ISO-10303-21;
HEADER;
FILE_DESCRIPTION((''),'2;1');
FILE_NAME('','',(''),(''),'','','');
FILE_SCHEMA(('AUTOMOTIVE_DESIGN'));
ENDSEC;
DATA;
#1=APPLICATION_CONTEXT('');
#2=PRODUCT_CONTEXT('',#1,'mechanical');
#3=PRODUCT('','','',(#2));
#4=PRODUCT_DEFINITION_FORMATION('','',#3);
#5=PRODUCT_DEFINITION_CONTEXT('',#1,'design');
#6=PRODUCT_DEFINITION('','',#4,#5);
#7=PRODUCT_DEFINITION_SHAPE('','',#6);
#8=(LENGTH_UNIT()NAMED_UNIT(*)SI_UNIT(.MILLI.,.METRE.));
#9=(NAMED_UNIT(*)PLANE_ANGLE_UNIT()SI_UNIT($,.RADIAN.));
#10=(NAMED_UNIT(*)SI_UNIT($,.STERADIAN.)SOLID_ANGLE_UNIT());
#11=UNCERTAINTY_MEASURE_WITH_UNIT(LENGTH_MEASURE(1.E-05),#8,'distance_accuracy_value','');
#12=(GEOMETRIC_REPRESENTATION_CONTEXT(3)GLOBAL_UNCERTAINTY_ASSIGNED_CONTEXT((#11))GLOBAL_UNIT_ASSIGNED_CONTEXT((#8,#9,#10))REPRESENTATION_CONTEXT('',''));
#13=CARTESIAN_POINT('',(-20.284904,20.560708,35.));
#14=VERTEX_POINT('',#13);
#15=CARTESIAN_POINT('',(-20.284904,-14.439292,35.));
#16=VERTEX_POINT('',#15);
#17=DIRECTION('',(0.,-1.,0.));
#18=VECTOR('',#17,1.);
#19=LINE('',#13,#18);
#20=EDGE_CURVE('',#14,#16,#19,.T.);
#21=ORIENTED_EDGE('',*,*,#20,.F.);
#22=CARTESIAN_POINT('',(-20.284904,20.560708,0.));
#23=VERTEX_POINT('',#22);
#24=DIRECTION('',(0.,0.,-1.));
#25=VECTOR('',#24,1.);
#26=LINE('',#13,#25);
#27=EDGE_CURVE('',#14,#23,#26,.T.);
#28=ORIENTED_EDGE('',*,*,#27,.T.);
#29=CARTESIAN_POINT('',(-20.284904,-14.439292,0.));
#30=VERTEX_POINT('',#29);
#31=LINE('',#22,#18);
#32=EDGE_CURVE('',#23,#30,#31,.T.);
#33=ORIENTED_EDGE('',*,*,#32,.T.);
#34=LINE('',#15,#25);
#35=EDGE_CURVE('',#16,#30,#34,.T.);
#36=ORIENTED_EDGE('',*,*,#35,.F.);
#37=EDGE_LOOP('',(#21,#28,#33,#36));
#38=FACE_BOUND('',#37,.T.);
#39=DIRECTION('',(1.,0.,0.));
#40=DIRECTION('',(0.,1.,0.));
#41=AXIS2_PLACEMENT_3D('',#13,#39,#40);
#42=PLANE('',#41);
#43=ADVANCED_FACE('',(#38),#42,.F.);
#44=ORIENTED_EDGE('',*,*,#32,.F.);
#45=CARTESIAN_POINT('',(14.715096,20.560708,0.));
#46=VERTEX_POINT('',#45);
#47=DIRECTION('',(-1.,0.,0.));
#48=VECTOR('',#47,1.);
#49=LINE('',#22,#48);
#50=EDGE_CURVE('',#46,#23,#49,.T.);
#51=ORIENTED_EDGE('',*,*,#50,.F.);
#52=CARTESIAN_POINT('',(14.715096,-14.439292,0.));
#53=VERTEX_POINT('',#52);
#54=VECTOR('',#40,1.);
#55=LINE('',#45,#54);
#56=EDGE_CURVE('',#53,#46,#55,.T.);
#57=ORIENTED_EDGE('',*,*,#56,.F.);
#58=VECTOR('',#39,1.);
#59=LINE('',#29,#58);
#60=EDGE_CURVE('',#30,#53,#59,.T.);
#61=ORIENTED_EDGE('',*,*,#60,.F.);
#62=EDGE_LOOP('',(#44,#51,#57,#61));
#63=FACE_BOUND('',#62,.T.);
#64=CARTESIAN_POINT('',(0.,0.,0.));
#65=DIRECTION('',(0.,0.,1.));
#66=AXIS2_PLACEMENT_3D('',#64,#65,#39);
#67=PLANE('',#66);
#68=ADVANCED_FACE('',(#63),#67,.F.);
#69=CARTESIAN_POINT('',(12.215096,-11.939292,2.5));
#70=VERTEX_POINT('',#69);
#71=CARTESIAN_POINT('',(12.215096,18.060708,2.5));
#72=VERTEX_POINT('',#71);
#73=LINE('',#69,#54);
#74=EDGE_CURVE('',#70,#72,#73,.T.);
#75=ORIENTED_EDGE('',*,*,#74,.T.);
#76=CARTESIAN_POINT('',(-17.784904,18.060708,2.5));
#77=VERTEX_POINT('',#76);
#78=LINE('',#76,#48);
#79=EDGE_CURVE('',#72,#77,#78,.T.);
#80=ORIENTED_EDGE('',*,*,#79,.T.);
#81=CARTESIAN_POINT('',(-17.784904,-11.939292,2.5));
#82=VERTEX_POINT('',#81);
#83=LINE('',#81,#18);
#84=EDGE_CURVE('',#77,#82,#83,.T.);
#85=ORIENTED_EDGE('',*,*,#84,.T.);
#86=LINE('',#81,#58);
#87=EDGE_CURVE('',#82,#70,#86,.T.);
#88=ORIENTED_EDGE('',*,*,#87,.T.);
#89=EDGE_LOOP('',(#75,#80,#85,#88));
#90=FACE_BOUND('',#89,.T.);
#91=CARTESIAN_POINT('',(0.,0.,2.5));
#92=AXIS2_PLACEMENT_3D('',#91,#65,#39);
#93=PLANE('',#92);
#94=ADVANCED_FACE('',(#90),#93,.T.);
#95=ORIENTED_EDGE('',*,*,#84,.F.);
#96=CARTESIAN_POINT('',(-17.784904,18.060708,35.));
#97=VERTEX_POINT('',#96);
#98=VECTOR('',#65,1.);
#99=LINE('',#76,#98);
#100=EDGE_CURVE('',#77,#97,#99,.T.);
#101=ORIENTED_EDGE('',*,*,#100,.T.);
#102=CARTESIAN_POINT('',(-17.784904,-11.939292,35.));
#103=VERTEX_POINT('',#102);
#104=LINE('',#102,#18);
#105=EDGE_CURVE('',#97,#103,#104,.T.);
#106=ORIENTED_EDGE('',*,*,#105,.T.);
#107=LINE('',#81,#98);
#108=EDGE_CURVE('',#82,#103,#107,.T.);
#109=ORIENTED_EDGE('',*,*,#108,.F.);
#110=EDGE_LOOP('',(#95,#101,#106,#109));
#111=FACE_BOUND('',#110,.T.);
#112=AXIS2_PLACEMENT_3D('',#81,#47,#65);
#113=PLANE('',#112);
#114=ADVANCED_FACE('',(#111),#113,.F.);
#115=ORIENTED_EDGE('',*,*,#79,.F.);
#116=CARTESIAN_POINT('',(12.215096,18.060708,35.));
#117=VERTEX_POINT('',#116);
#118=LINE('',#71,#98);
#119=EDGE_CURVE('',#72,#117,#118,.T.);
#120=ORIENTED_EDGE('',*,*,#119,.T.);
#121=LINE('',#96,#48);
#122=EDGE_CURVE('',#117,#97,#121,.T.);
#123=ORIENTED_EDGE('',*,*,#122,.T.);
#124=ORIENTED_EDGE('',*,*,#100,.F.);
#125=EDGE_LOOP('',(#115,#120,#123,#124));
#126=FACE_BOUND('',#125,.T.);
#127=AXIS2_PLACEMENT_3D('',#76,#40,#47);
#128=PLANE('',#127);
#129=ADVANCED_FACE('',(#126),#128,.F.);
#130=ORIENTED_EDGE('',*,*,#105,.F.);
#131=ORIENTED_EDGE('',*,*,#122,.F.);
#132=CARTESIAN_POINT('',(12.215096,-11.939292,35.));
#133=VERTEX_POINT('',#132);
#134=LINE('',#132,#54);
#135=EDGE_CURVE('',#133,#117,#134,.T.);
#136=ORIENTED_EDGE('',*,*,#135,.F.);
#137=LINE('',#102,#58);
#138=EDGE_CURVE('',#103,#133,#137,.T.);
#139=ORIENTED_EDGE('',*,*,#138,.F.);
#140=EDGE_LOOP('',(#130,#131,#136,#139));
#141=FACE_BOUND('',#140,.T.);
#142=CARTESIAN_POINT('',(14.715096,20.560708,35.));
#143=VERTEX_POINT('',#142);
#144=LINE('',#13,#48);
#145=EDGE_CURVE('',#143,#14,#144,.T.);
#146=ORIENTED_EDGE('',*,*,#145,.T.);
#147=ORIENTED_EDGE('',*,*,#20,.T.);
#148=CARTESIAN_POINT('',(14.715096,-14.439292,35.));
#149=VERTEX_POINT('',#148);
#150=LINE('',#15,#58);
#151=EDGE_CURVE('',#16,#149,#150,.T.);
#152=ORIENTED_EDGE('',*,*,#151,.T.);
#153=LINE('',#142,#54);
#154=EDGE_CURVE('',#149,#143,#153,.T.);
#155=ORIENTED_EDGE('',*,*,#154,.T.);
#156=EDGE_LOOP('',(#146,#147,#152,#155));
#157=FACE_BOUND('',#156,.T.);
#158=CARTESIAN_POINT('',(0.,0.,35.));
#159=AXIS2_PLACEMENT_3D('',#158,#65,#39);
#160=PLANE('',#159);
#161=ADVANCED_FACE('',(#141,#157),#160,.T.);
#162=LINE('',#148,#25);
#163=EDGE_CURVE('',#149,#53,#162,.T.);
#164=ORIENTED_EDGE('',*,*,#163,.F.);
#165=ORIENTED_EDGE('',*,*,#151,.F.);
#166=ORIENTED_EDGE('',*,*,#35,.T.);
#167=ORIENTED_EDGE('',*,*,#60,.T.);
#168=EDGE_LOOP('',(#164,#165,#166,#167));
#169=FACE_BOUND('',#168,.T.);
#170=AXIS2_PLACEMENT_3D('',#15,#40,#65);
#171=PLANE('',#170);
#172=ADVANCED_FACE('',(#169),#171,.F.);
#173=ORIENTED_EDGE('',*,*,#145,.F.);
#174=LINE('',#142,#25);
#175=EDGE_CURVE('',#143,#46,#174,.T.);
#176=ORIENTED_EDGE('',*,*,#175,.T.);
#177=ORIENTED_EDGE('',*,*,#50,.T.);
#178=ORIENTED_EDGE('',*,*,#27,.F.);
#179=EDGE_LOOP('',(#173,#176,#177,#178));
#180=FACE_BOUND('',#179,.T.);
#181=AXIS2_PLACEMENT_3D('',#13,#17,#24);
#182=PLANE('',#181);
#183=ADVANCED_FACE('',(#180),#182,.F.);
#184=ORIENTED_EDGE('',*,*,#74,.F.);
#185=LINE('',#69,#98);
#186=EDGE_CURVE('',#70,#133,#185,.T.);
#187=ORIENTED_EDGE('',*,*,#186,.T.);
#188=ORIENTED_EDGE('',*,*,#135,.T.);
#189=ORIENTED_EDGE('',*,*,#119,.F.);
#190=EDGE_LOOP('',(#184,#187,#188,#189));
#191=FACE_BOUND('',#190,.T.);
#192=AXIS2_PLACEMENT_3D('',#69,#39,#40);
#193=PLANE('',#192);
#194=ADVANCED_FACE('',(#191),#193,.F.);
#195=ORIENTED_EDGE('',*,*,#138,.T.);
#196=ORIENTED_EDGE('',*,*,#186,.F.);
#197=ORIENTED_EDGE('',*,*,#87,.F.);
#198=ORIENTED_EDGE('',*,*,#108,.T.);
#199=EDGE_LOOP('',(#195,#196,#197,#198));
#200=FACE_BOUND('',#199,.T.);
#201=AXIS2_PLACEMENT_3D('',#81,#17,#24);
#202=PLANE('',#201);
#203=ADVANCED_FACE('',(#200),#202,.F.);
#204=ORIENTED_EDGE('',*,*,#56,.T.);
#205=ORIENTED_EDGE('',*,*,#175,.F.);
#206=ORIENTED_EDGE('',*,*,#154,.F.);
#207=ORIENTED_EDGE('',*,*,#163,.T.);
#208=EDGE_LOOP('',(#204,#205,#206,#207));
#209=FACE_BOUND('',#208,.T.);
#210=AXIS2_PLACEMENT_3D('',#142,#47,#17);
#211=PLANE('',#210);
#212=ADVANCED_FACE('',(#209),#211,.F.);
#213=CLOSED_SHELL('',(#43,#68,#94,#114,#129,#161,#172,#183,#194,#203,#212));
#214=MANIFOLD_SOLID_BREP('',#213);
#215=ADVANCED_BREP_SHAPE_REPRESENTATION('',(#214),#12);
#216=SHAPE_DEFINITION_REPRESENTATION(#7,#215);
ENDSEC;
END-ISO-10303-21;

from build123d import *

# Parameters (mm, degrees)
SKETCH4_W           = 35
SKETCH4_H           = 35
BOSS_EXTRUDE2_DEPTH = 35
SKETCH5_OUTSIDE_W   = 49.124
SKETCH5_OUTSIDE_H   = 49.124
SKETCH5_OUTSIDE_W_2 = 35
SKETCH5_OUTSIDE_H_2 = 35
SKETCH5_OUTSIDE_W_3 = 30
SKETCH5_OUTSIDE_H_3 = 30
CUT_EXTRUDE2_DEPTH  = 32.5


with BuildPart() as part:
    # Sketch4 → Boss-Extrude2 (new body)
    with BuildSketch(Plane.XY):
        with Locations((-2.784904398, 3.060708191)):
            Rectangle(SKETCH4_W, SKETCH4_H)
    extrude(amount=BOSS_EXTRUDE2_DEPTH)

    # Sketch5 outside → Cut-Extrude2 (cut)
    # profile 1 of 2: a face of its own
    with BuildSketch(Plane.XY.offset(35)):
        with Locations((-2.785, 3.061)):
            Rectangle(SKETCH5_OUTSIDE_W, SKETCH5_OUTSIDE_H)
        with Locations((-2.784904398, 3.060708191)):
            Rectangle(SKETCH5_OUTSIDE_W_2, SKETCH5_OUTSIDE_H_2, mode=Mode.SUBTRACT)
    # profile 2 of 2: a face of its own
    with BuildSketch(Plane.XY.offset(35)):
        with Locations((-2.784904398, 3.060708191)):
            Rectangle(SKETCH5_OUTSIDE_W_3, SKETCH5_OUTSIDE_H_3)
    extrude(amount=-CUT_EXTRUDE2_DEPTH, mode=Mode.SUBTRACT)


solid = part.part
